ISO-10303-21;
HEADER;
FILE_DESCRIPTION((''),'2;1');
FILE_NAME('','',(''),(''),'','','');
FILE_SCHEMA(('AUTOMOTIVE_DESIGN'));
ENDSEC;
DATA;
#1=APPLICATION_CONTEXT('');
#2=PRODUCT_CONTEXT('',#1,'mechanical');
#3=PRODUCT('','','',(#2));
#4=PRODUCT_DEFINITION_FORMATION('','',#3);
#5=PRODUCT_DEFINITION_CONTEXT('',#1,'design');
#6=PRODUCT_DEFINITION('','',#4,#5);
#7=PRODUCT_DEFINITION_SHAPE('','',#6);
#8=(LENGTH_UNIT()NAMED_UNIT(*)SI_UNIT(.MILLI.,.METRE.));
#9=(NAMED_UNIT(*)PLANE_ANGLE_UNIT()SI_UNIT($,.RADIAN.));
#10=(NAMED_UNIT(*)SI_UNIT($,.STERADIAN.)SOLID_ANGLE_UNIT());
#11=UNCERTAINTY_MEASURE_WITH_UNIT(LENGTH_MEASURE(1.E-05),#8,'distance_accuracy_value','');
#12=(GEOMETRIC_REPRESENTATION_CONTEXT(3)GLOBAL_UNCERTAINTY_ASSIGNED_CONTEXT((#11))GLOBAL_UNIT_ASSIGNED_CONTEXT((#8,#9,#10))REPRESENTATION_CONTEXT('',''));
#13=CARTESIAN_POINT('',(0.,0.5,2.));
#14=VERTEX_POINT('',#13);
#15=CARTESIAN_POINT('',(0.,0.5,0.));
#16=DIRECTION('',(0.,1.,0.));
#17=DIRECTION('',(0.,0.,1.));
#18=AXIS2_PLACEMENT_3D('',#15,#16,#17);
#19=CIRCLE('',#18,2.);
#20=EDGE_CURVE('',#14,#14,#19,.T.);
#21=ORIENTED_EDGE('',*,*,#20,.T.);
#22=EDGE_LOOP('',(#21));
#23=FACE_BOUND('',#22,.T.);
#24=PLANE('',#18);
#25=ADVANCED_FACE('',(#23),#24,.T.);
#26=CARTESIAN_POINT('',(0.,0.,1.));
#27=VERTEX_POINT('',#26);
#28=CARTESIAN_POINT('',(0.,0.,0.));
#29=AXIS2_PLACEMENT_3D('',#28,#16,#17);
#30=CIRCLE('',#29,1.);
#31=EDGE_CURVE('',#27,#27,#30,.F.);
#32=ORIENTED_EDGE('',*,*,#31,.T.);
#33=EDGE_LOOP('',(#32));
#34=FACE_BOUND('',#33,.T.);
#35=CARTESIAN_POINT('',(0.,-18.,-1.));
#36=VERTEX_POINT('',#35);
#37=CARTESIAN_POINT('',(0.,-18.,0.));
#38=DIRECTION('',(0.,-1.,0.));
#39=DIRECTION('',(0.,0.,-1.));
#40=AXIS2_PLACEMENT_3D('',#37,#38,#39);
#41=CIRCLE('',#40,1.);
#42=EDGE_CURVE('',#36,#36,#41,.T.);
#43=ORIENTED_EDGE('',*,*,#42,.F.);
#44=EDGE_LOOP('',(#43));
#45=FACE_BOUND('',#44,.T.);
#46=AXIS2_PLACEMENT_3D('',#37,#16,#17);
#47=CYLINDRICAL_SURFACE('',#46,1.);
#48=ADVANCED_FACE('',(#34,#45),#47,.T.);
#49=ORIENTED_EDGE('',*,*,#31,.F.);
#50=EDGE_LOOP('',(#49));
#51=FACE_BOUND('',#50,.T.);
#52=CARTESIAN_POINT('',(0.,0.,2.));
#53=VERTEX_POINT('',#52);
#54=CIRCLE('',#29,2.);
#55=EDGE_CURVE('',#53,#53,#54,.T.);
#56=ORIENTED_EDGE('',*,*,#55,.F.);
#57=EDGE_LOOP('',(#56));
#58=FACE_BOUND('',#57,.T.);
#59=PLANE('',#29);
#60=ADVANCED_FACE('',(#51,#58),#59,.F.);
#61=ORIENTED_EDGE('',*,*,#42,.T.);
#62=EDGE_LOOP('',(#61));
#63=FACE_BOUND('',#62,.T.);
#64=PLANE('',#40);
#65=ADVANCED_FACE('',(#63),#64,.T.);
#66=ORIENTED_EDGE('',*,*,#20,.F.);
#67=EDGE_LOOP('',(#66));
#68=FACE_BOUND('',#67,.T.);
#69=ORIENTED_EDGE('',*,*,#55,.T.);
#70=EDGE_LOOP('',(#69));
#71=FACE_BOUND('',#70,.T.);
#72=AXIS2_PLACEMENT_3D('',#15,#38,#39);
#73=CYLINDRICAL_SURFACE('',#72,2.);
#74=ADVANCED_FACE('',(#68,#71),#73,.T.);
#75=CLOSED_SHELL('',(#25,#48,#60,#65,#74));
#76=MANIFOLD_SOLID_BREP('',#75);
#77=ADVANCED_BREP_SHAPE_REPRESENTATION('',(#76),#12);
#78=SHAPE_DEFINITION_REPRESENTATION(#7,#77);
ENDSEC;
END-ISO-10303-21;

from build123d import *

# Parameters (mm, degrees)
SKETCH_1_R      = 2
EXTRUDE_1_DEPTH = 0.5
SKETCH_2_R      = 1
EXTRUDE_2_DEPTH = 18


with BuildPart() as part:
    # 草图1 → 凸台-拉伸1 (new body)
    with BuildSketch(Plane(origin=(0, 0, 0), x_dir=(1, 0, 0), z_dir=(0, 1, 0))):
        with Locations(Location((0, 0, 0), (0, 0, 270))):
            Circle(SKETCH_1_R)
    extrude(amount=EXTRUDE_1_DEPTH)

    # 草图2 → 凸台-拉伸2 (add)
    with BuildSketch(Plane.XZ):
        with Locations(Location((0, 0, 0), (0, 0, 90))):
            Circle(SKETCH_2_R)
    extrude(amount=EXTRUDE_2_DEPTH)


solid = part.part
